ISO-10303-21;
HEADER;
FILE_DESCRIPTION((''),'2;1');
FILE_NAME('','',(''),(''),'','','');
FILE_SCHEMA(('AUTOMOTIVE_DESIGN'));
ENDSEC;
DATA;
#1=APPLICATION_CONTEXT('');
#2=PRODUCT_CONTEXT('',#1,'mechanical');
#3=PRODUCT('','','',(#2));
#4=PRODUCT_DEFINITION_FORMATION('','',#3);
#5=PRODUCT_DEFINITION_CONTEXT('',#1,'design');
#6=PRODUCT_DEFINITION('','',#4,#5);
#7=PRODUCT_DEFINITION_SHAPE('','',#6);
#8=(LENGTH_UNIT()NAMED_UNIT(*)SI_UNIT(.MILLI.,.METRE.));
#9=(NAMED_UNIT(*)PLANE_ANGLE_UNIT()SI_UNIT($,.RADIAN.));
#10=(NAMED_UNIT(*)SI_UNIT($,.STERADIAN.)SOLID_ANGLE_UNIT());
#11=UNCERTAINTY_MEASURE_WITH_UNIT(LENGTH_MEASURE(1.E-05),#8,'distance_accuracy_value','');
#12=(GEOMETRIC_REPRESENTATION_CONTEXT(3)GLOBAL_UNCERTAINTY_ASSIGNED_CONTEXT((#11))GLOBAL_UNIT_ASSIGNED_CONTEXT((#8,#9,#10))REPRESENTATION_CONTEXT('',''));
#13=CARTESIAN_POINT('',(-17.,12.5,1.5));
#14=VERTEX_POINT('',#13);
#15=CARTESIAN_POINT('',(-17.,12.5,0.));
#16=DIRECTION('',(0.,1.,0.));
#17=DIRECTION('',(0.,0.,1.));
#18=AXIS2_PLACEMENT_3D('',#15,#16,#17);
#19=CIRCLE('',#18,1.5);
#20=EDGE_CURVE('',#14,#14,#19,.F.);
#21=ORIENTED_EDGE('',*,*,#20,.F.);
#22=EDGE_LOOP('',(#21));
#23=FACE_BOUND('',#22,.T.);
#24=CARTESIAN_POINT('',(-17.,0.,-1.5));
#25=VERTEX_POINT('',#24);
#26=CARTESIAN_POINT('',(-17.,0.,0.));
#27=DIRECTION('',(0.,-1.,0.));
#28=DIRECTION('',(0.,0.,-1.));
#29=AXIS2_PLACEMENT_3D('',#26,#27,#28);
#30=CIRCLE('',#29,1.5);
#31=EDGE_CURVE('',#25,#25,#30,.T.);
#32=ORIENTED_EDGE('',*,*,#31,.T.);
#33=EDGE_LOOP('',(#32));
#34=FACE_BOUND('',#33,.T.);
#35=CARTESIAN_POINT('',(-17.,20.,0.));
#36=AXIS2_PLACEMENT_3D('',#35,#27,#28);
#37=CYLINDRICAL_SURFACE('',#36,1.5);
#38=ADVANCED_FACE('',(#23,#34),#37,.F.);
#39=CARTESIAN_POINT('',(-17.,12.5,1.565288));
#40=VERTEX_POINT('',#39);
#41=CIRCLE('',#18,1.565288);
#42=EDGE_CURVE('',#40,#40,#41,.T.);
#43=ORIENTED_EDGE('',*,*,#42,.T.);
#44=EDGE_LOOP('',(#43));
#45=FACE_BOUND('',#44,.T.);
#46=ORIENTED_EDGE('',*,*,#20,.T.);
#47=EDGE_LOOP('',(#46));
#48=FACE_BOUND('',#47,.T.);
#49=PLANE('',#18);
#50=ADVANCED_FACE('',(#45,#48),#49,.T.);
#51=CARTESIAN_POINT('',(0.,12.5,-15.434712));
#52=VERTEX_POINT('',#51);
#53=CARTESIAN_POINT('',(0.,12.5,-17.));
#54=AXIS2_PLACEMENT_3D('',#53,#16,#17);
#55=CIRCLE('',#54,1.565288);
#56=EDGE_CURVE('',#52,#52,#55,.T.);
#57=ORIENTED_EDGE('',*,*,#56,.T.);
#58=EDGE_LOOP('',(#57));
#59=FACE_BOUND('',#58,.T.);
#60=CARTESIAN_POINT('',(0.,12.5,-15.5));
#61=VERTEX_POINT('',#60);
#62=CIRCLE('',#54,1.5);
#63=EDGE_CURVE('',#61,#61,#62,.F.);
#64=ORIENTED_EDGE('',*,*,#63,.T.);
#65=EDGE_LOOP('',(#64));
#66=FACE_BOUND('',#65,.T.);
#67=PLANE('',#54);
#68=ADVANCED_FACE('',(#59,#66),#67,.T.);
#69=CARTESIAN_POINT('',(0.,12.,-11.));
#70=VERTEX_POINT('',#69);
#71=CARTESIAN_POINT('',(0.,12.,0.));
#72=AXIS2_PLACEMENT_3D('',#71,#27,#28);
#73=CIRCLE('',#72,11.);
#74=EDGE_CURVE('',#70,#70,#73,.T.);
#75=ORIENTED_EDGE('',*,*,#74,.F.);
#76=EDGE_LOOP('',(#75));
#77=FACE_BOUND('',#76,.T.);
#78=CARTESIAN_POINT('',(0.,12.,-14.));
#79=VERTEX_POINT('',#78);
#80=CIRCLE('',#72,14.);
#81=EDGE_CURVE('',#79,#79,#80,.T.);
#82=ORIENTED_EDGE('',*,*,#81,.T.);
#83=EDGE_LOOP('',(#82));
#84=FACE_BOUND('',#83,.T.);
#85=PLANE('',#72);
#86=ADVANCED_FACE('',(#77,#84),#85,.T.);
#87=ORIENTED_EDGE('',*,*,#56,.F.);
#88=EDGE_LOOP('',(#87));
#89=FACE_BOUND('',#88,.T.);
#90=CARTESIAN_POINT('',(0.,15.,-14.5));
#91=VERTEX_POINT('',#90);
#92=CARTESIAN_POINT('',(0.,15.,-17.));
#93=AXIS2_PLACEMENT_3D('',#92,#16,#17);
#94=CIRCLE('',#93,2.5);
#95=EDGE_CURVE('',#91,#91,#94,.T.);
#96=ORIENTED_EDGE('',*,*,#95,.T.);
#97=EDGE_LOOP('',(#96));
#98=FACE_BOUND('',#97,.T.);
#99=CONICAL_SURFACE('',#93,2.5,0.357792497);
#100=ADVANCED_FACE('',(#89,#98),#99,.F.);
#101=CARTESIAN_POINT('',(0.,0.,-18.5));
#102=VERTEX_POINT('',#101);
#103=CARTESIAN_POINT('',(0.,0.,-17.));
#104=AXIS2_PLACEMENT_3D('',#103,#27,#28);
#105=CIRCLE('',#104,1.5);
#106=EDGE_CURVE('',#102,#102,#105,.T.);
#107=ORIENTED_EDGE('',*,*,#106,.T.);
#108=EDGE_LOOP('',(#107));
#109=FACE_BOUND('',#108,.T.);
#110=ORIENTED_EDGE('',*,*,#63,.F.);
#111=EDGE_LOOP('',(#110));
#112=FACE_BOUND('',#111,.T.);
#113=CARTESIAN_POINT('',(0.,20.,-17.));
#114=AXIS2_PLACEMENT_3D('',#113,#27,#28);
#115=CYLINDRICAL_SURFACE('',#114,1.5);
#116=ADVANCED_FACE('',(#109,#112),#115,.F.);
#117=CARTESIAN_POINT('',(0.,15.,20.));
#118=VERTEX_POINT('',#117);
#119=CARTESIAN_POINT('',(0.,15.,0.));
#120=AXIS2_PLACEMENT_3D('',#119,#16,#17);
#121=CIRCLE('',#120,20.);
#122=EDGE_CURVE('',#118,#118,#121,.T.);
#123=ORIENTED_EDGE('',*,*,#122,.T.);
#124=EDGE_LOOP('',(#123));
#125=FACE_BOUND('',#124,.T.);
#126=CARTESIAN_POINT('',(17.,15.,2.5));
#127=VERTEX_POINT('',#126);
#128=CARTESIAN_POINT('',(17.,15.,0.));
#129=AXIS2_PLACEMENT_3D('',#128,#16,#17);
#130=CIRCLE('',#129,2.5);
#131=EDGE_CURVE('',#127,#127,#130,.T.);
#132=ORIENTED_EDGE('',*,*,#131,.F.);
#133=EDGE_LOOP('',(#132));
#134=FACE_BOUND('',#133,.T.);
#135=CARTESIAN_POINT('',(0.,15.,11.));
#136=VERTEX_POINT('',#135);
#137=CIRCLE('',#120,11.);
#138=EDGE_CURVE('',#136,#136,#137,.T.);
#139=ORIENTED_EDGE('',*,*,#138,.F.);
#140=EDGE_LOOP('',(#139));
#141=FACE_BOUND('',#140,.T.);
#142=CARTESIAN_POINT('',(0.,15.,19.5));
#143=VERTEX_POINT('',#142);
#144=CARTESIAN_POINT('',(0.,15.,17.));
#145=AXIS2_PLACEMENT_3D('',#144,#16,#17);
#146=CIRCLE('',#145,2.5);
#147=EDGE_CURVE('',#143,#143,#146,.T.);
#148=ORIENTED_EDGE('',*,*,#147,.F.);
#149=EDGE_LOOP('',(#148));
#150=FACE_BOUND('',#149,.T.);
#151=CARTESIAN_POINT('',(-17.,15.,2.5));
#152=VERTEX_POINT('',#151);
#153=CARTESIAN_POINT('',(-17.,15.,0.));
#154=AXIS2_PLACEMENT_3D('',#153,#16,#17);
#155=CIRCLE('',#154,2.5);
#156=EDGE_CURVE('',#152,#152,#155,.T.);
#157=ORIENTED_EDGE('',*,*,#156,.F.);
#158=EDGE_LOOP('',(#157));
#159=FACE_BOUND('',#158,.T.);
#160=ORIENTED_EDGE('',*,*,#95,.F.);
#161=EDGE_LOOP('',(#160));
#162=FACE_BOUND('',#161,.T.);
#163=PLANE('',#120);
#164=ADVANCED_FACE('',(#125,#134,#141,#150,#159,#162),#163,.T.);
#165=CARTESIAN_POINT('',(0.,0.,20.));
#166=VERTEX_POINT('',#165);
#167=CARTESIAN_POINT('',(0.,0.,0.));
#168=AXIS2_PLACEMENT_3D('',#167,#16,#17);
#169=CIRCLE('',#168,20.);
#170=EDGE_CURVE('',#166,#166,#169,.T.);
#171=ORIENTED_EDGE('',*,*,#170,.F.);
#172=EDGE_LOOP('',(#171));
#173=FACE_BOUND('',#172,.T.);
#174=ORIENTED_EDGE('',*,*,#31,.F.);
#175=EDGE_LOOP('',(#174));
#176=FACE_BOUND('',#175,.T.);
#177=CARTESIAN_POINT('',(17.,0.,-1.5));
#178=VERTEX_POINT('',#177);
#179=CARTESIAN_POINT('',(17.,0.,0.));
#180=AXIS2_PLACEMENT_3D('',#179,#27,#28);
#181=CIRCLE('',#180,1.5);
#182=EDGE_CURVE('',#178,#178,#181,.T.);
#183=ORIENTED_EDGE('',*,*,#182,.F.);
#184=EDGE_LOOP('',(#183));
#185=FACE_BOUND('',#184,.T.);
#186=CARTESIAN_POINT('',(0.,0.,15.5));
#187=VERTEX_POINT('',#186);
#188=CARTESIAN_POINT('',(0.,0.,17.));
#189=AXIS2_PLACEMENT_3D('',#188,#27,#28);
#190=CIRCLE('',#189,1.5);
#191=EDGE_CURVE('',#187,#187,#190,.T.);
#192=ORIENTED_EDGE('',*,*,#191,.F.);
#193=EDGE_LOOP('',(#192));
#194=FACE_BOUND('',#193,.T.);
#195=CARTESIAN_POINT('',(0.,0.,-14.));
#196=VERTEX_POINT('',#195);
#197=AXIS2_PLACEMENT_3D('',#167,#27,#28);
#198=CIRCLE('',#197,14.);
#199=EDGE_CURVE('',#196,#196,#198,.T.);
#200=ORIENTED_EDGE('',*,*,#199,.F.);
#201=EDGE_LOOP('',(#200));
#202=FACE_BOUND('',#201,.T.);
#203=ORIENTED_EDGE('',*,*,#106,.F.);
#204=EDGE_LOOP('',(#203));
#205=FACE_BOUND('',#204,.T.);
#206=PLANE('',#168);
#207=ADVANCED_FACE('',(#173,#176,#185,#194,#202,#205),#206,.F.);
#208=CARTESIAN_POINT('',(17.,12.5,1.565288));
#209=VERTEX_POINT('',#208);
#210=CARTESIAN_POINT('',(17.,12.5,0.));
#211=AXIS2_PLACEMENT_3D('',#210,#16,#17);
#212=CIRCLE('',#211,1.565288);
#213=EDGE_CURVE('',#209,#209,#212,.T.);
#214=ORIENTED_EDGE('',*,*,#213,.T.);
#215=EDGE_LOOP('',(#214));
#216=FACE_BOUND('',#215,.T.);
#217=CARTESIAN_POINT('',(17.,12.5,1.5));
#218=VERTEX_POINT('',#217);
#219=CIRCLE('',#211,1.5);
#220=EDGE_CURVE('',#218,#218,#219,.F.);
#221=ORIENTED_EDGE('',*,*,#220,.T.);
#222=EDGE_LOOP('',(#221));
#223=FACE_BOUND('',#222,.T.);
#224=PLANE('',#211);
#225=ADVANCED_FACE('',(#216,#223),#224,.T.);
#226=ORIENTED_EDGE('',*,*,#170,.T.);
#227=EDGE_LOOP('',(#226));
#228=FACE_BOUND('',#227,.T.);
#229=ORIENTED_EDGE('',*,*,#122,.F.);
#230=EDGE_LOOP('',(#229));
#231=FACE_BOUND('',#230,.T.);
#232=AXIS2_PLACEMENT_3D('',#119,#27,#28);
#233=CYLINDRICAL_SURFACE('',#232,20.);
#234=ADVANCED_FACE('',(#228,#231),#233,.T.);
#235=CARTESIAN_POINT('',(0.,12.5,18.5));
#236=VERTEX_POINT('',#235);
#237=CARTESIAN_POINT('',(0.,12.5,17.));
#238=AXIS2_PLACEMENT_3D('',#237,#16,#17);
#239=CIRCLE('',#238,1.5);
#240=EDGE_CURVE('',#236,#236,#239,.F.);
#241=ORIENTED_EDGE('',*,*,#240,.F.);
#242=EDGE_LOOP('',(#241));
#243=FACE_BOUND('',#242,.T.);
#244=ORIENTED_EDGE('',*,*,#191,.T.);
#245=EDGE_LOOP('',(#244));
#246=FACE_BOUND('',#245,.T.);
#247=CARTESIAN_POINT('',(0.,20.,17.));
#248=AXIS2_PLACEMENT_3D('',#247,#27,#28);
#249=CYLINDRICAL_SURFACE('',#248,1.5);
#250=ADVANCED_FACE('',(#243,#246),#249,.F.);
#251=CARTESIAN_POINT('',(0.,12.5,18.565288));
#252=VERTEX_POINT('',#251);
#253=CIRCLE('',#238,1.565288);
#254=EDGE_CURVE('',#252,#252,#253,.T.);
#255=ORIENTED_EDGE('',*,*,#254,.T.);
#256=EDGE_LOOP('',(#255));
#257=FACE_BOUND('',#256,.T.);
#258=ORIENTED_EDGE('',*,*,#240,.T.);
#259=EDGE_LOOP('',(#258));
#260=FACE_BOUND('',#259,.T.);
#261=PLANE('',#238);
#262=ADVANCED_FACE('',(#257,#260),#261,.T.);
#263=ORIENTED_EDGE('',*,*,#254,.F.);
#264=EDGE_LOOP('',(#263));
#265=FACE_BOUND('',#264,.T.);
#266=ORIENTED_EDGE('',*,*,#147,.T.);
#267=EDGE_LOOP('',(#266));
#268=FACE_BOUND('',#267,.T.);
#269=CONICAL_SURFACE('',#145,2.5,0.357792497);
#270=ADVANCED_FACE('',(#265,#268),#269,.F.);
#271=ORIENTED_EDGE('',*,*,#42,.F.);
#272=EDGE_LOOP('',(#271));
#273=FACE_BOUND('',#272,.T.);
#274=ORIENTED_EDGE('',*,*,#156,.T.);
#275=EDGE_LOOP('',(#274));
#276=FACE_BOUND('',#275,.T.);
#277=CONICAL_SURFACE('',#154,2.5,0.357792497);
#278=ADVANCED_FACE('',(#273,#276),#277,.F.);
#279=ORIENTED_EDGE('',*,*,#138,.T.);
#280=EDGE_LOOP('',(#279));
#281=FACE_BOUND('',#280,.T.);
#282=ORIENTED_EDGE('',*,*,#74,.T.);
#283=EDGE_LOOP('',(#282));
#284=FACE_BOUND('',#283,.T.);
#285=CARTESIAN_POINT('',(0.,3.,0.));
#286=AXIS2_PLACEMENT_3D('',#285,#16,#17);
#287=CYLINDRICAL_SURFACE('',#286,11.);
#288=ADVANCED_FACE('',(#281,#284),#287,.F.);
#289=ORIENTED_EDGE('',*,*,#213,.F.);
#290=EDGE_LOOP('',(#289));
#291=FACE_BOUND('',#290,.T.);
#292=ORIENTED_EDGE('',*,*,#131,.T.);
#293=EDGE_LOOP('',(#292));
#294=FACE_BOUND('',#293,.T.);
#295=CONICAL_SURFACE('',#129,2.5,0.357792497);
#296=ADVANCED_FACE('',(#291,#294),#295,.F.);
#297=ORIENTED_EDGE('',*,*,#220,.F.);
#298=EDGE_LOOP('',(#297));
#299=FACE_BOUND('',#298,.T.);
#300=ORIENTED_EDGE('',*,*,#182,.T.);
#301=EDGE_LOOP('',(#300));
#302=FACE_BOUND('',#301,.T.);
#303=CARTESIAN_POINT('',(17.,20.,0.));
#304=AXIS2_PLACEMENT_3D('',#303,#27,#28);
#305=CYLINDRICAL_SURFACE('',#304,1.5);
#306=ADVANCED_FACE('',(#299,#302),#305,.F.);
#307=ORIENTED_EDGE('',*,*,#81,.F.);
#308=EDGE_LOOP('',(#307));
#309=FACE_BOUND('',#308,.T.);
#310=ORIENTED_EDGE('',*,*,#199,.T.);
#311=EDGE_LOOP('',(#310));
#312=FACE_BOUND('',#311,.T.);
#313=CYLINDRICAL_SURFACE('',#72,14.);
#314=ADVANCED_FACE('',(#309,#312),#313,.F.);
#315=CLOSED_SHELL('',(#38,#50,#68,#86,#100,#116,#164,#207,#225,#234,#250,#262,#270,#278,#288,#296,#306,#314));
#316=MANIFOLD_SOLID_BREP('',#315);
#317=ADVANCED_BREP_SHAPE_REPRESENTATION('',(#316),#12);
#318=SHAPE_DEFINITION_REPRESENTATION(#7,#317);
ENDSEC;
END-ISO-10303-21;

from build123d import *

# Parameters (mm, degrees)
SKETCH1_R                    = 20
BOSS_EXTRUDE1_DEPTH          = 15
SKETCH2_R                    = 1.5
CUT_EXTRUDE1_DEPTH           = 20
SKETCH3_R                    = 2.5
CUT_EXTRUDE2_DEPTH           = 2.5
CUT_EXTRUDE2_DRAFT           = -20.5
CUT_EXTRUDE2_PROFILE_2_DEPTH = 2.5
CUT_EXTRUDE2_PROFILE_2_DRAFT = -20.5
CUT_EXTRUDE2_PROFILE_3_DEPTH = 2.5
CUT_EXTRUDE2_PROFILE_3_DRAFT = -20.5
CUT_EXTRUDE2_PROFILE_4_DEPTH = 2.5
CUT_EXTRUDE2_PROFILE_4_DRAFT = -20.5
SKETCH4_R                    = 14
CUT_EXTRUDE3_DEPTH           = 12
SKETCH5_R                    = 11
CUT_EXTRUDE4_DEPTH           = 12


with BuildPart() as part:
    # Sketch1 → Boss-Extrude1 (new body)
    with BuildSketch(Plane(origin=(0, 0, 0), x_dir=(1, 0, 0), z_dir=(0, 1, 0))):
        with Locations(Location((0, 0, 0), (0, 0, 270))):
            Circle(SKETCH1_R)
    extrude(amount=BOSS_EXTRUDE1_DEPTH)

    # Sketch2 → Cut-Extrude1 (cut)
    with BuildSketch(Plane(origin=(0, 0, 0), x_dir=(-1, 0, 0), z_dir=(0, -1, 0))):
        with Locations(Location((0, -17, 0), (0, 0, 90))):
            Circle(SKETCH2_R)
        with Locations(Location((-17, 0, 0), (0, 0, 90))):
            Circle(SKETCH2_R)
        with Locations(Location((0, 17, 0), (0, 0, 90))):
            Circle(SKETCH2_R)
        with Locations(Location((17, 0, 0), (0, 0, 90))):
            Circle(SKETCH2_R)
    extrude(amount=-CUT_EXTRUDE1_DEPTH, mode=Mode.SUBTRACT)


with BuildPart() as cut_extrude2_tool:
    # Sketch3 → Cut-Extrude2 (with draft: the straight prism first)
    with BuildSketch(Plane(origin=(0, 15, 0), x_dir=(1, 0, 0), z_dir=(0, 1, 0))):
        with Locations((0, 17)):
            Circle(SKETCH3_R)
    extrude(amount=-CUT_EXTRUDE2_DEPTH)
    # Cut-Extrude2: the draft: its side faces are tilted about the plane it starts from
    cut_extrude2_sides = [cut_extrude2_tool.faces().sort_by_distance(p)[0] for p in [
        (-2.5, 13.75, -17),
    ]]
    draft(cut_extrude2_sides, Plane(origin=(0, 15, 0), x_dir=(1, 0, 0), z_dir=(0, 1, 0)), CUT_EXTRUDE2_DRAFT)


with BuildPart() as part_1:
    add(part.part)

    # Cut-Extrude2: cut by cut_extrude2_tool
    add(cut_extrude2_tool.part, mode=Mode.SUBTRACT)


with BuildPart() as cut_extrude2_profile_2_tool:
    # Sketch3 → Cut-Extrude2 profile 2 (with draft: the straight prism first)
    with BuildSketch(Plane(origin=(0, 15, 0), x_dir=(1, 0, 0), z_dir=(0, 1, 0))):
        with Locations((17, 0)):
            Circle(SKETCH3_R)
    extrude(amount=-CUT_EXTRUDE2_PROFILE_2_DEPTH)
    # Cut-Extrude2 profile 2: the draft: its side faces are tilted about the plane it starts from
    cut_extrude2_profile_2_sides = [cut_extrude2_profile_2_tool.faces().sort_by_distance(p)[0] for p in [
        (14.5, 13.75, 0),
    ]]
    draft(cut_extrude2_profile_2_sides, Plane(origin=(0, 15, 0), x_dir=(1, 0, 0), z_dir=(0, 1, 0)), CUT_EXTRUDE2_PROFILE_2_DRAFT)


with BuildPart() as part_2:
    add(part_1.part)

    # Cut-Extrude2 profile 2: cut by cut_extrude2_profile_2_tool
    add(cut_extrude2_profile_2_tool.part, mode=Mode.SUBTRACT)


with BuildPart() as cut_extrude2_profile_3_tool:
    # Sketch3 → Cut-Extrude2 profile 3 (with draft: the straight prism first)
    with BuildSketch(Plane(origin=(0, 15, 0), x_dir=(1, 0, 0), z_dir=(0, 1, 0))):
        with Locations((0, -17)):
            Circle(SKETCH3_R)
    extrude(amount=-CUT_EXTRUDE2_PROFILE_3_DEPTH)
    # Cut-Extrude2 profile 3: the draft: its side faces are tilted about the plane it starts from
    cut_extrude2_profile_3_sides = [cut_extrude2_profile_3_tool.faces().sort_by_distance(p)[0] for p in [
        (-2.5, 13.75, 17),
    ]]
    draft(cut_extrude2_profile_3_sides, Plane(origin=(0, 15, 0), x_dir=(1, 0, 0), z_dir=(0, 1, 0)), CUT_EXTRUDE2_PROFILE_3_DRAFT)


with BuildPart() as part_3:
    add(part_2.part)

    # Cut-Extrude2 profile 3: cut by cut_extrude2_profile_3_tool
    add(cut_extrude2_profile_3_tool.part, mode=Mode.SUBTRACT)


with BuildPart() as cut_extrude2_profile_4_tool:
    # Sketch3 → Cut-Extrude2 profile 4 (with draft: the straight prism first)
    with BuildSketch(Plane(origin=(0, 15, 0), x_dir=(1, 0, 0), z_dir=(0, 1, 0))):
        with Locations((-17, 0)):
            Circle(SKETCH3_R)
    extrude(amount=-CUT_EXTRUDE2_PROFILE_4_DEPTH)
    # Cut-Extrude2 profile 4: the draft: its side faces are tilted about the plane it starts from
    cut_extrude2_profile_4_sides = [cut_extrude2_profile_4_tool.faces().sort_by_distance(p)[0] for p in [
        (-19.5, 13.75, 0),
    ]]
    draft(cut_extrude2_profile_4_sides, Plane(origin=(0, 15, 0), x_dir=(1, 0, 0), z_dir=(0, 1, 0)), CUT_EXTRUDE2_PROFILE_4_DRAFT)


with BuildPart() as part_4:
    add(part_3.part)

    # Cut-Extrude2 profile 4: cut by cut_extrude2_profile_4_tool
    add(cut_extrude2_profile_4_tool.part, mode=Mode.SUBTRACT)

    # Sketch4 → Cut-Extrude3 (cut)
    with BuildSketch(Plane.XZ):
        with Locations(Location((0, 0, 0), (0, 0, 270))):
            Circle(SKETCH4_R)
    extrude(amount=-CUT_EXTRUDE3_DEPTH, mode=Mode.SUBTRACT)

    # Sketch5 → Cut-Extrude4 (cut)
    with BuildSketch(Plane(origin=(0, 15, 0), x_dir=(1, 0, 0), z_dir=(0, 1, 0))):
        with Locations(Location((0, 0, 0), (0, 0, 270))):
            Circle(SKETCH5_R)
    extrude(amount=-CUT_EXTRUDE4_DEPTH, mode=Mode.SUBTRACT)


solid = part_4.part
